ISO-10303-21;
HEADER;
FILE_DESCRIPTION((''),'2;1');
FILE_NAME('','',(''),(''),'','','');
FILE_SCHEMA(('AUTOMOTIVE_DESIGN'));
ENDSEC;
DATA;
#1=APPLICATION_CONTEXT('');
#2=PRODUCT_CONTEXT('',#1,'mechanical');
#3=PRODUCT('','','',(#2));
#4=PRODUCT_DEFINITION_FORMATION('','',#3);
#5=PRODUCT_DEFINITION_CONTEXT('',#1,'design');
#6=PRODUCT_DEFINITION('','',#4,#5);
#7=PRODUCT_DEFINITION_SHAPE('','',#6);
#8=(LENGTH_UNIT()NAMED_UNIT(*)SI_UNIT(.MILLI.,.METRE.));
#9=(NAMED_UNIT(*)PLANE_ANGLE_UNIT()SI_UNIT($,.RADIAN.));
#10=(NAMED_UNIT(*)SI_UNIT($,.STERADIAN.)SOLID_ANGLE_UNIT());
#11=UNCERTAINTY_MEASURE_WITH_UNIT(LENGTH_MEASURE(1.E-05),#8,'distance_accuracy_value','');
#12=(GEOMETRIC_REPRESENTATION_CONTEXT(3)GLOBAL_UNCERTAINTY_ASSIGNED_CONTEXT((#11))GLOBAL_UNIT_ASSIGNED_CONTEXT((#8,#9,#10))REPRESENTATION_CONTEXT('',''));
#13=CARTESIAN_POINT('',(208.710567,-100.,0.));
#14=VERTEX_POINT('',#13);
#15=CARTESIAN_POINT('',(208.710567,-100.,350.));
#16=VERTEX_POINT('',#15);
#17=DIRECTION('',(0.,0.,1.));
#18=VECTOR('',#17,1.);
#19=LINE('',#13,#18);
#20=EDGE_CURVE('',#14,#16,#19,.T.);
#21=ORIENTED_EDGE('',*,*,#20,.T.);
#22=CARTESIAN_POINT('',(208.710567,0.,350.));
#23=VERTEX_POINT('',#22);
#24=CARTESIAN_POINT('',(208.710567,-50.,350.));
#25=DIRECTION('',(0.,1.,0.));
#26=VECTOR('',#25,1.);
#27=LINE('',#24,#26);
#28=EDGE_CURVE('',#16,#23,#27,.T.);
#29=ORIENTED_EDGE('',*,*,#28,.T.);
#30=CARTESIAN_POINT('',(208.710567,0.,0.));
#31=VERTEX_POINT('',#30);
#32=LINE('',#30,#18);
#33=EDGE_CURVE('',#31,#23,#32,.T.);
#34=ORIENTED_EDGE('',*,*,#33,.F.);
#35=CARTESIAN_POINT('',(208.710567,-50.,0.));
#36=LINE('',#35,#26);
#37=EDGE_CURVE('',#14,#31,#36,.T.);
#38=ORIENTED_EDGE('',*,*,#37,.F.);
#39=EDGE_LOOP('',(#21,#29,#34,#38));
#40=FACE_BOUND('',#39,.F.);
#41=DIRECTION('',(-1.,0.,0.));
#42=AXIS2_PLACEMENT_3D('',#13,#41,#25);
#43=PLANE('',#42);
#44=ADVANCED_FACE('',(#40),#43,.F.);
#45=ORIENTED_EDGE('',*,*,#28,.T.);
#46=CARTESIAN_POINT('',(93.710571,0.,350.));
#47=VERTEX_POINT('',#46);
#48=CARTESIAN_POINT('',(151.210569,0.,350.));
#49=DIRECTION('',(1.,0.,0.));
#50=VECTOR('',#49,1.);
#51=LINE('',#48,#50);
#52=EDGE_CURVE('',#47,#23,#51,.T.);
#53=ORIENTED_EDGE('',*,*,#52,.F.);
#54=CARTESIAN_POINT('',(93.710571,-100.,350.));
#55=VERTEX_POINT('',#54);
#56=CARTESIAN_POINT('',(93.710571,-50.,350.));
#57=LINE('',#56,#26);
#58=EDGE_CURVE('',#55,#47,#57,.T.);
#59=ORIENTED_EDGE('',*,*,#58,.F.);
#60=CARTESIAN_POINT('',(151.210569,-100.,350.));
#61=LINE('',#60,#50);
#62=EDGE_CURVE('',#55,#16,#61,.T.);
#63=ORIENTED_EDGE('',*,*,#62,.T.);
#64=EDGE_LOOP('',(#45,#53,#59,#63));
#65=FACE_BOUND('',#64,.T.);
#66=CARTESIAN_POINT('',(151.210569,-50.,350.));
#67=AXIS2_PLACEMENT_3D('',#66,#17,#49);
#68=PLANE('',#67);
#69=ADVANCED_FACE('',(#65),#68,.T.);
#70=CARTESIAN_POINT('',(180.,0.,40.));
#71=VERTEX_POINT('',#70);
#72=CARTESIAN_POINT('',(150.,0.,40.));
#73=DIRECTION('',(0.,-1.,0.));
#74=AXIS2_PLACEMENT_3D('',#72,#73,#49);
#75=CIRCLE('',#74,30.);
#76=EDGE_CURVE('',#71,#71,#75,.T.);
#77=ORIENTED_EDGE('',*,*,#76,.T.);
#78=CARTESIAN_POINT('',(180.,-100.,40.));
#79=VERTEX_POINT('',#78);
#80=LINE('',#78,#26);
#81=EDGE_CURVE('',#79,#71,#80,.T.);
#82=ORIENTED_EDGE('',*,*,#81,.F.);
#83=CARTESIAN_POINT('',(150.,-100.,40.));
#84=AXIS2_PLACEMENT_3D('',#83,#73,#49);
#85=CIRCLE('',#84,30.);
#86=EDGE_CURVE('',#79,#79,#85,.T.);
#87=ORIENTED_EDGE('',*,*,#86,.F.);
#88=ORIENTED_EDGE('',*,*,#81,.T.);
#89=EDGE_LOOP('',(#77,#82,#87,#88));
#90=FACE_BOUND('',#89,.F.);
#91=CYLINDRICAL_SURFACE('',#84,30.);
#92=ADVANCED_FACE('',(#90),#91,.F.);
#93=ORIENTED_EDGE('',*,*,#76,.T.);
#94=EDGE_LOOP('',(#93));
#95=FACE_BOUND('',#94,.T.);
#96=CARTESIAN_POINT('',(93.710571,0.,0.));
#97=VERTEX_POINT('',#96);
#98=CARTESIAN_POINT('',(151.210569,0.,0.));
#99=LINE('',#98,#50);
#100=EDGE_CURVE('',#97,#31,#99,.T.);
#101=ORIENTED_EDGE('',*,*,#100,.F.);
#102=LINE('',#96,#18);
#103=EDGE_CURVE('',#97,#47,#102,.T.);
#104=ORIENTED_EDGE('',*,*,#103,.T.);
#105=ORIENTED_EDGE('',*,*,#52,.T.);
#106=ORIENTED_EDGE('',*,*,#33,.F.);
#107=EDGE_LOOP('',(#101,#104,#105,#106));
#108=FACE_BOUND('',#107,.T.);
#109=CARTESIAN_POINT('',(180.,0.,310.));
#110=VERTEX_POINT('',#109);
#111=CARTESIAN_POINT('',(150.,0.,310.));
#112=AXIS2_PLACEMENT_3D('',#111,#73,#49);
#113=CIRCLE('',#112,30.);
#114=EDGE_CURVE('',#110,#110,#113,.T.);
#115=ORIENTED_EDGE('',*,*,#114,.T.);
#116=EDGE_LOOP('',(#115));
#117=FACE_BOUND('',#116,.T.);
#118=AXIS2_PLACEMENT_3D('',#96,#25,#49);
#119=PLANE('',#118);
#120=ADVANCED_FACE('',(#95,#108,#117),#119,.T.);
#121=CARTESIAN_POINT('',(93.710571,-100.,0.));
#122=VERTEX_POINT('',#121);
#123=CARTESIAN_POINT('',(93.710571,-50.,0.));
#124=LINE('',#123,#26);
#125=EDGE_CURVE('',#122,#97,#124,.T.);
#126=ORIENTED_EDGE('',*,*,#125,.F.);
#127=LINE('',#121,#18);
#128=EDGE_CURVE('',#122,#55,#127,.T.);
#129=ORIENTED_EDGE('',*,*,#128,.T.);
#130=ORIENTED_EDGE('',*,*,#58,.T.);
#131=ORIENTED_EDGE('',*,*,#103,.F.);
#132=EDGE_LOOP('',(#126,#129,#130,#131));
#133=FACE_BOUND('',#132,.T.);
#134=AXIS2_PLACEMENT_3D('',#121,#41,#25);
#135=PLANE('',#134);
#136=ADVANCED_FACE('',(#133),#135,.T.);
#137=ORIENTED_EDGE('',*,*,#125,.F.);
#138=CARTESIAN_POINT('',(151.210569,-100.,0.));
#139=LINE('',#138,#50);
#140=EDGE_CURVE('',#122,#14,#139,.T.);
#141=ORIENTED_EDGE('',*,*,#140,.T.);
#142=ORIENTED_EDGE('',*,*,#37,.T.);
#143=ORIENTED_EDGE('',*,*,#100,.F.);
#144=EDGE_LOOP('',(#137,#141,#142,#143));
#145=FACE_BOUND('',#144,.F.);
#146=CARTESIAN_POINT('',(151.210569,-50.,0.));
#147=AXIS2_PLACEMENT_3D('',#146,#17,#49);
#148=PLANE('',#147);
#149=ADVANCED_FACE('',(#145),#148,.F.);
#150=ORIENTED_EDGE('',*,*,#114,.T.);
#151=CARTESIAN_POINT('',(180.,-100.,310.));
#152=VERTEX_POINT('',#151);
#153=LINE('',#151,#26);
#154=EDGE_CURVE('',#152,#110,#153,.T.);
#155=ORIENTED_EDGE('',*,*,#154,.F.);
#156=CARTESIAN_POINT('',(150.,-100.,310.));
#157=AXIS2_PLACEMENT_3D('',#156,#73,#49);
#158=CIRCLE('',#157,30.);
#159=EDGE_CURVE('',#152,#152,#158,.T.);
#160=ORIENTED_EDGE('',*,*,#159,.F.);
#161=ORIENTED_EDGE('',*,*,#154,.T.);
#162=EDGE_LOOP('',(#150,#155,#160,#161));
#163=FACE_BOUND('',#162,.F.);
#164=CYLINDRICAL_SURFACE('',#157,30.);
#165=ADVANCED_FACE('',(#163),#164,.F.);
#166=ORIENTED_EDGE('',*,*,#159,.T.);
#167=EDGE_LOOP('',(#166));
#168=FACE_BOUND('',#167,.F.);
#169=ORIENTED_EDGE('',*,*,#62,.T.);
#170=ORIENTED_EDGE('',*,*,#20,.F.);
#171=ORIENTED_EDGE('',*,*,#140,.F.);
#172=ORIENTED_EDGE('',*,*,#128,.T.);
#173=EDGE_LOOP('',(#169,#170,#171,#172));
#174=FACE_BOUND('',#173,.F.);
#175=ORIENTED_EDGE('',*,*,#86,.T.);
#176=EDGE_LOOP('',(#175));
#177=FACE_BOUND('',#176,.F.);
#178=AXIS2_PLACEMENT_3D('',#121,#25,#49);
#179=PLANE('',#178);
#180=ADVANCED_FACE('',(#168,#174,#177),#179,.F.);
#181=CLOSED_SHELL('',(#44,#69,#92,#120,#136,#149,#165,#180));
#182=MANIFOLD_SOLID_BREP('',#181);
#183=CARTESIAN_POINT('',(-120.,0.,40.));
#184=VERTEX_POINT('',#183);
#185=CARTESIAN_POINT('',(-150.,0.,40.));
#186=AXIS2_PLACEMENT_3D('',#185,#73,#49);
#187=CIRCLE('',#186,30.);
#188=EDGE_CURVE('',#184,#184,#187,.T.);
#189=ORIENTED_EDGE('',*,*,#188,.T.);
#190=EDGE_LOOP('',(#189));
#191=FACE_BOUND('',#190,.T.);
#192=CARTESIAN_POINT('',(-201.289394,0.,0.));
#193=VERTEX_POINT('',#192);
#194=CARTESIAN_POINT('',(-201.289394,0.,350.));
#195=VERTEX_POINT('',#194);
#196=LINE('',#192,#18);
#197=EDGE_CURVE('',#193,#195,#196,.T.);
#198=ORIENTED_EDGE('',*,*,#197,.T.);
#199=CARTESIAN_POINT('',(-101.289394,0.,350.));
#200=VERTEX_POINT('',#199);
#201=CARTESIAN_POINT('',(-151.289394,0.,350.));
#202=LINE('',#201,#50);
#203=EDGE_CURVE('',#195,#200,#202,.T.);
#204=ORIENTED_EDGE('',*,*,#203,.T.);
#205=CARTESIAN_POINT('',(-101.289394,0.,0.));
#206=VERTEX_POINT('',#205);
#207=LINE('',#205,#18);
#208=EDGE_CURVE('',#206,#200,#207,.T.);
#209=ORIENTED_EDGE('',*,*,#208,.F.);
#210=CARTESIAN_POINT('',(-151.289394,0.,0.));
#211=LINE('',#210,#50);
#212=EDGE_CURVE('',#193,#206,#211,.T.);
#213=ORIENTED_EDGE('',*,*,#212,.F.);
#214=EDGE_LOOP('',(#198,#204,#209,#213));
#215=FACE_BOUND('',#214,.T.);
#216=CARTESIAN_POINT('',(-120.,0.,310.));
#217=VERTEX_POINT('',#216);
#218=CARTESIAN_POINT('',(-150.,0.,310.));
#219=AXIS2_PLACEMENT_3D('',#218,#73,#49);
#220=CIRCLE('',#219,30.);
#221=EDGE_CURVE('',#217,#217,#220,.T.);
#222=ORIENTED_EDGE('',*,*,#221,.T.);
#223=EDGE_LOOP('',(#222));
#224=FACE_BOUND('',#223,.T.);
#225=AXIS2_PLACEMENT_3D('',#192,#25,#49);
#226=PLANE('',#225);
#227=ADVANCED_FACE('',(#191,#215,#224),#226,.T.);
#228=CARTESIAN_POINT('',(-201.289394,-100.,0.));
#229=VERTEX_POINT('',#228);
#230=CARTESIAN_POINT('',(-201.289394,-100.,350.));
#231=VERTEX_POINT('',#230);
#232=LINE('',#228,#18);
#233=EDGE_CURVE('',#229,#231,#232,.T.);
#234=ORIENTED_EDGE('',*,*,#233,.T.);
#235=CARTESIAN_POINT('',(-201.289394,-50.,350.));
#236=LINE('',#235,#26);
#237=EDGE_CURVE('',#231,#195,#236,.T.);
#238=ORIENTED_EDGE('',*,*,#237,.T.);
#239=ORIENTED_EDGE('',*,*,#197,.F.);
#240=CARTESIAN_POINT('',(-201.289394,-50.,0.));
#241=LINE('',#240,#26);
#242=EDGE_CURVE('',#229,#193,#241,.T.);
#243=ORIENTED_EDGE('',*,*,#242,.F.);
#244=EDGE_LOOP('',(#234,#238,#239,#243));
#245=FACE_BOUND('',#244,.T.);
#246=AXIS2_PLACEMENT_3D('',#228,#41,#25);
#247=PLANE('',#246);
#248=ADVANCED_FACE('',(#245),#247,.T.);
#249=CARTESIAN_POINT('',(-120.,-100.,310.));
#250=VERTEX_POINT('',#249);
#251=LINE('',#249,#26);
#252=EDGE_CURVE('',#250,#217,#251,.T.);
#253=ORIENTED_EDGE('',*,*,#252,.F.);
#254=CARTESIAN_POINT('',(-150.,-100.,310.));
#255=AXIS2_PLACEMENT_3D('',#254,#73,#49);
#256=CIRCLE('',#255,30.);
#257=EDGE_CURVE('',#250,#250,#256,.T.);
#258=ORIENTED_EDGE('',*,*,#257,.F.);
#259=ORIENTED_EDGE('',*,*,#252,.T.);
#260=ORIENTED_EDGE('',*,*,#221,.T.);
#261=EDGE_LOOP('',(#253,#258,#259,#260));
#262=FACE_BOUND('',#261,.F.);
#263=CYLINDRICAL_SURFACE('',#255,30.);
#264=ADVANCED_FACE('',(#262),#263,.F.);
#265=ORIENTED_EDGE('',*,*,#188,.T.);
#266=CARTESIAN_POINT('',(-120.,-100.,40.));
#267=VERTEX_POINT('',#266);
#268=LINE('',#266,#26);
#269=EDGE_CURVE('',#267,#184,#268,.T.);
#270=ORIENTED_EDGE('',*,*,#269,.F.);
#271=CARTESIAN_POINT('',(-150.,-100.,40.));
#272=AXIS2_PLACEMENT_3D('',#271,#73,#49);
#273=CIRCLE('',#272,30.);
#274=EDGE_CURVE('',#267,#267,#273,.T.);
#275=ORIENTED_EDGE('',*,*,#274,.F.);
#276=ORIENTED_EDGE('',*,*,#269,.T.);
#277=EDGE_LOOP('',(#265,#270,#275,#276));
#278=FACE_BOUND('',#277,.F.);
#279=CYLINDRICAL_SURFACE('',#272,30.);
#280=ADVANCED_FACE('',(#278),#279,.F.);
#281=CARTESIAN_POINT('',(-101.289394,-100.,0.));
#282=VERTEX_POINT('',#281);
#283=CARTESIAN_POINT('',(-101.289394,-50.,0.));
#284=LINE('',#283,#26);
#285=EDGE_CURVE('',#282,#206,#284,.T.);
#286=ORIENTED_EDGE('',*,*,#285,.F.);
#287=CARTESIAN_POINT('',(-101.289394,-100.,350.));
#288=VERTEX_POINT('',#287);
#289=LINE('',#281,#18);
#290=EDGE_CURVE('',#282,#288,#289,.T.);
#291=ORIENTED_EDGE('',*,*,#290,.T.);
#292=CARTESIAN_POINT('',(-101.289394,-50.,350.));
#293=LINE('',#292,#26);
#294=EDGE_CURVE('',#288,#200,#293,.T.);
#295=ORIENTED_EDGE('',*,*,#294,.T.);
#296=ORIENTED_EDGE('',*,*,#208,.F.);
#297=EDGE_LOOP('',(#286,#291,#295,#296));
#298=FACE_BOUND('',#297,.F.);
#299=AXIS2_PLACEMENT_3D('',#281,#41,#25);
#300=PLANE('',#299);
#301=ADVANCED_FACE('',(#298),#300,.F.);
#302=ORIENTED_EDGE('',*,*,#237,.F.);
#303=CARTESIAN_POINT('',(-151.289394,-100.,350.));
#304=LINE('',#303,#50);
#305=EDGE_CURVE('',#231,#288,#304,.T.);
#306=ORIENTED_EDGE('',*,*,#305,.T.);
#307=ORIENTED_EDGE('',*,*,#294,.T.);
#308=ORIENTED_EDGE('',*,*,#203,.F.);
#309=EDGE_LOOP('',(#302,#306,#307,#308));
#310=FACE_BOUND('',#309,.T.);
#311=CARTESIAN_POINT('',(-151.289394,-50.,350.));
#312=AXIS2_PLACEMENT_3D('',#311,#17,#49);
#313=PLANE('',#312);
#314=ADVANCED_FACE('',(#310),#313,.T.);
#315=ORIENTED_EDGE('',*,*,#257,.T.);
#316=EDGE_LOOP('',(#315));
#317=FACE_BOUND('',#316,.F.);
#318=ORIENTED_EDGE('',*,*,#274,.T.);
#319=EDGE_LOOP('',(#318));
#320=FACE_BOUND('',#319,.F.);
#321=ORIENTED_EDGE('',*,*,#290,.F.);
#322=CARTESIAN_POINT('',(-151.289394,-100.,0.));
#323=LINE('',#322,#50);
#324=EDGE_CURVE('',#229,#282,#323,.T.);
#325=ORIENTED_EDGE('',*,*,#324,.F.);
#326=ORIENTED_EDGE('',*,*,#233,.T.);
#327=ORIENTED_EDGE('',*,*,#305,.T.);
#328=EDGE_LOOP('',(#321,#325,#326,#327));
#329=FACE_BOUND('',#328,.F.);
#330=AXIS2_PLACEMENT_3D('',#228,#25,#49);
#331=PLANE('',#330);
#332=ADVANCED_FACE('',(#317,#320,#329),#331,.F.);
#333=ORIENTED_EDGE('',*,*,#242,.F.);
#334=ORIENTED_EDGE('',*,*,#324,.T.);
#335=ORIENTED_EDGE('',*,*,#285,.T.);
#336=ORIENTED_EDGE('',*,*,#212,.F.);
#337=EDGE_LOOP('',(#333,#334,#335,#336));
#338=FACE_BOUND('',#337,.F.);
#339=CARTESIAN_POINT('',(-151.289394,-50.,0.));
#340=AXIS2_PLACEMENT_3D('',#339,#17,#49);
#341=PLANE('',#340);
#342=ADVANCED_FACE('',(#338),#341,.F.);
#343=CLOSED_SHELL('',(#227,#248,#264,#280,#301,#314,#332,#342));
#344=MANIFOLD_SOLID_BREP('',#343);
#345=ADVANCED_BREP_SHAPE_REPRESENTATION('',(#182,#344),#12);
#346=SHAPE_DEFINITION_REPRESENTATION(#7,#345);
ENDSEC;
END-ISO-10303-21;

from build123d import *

# Parameters (mm, degrees)
F0_W     = 100
F0_H     = 100
F0_W_2   = 114.999997
F1_DEPTH = 350
F2_R     = 30
F3_DEPTH = 200
F4_R     = 30
F5_DEPTH = 200
F6_R     = 30
F7_DEPTH = 200
F8_R     = 30
F9_DEPTH = 200


with BuildPart() as f1:
    # F0 (on Top) → F1 (new body)
    with BuildSketch(Plane.XY):
        with Locations((-151.289394, -50)):
            Rectangle(F0_W, F0_H)
        with Locations((151.210569, -50)):
            Rectangle(F0_W_2, F0_H)
    extrude(amount=F1_DEPTH)

    # F2 (on face) → F3 (cut)
    with BuildSketch(Plane.XZ.offset(100)):
        with Locations((-150, 310)):
            Circle(F2_R)
    extrude(amount=-F3_DEPTH, mode=Mode.SUBTRACT)

    # F4 (on face) → F5 (cut)
    with BuildSketch(Plane.XZ.offset(100)):
        with Locations((150, 310)):
            Circle(F4_R)
    extrude(amount=-F5_DEPTH, mode=Mode.SUBTRACT)

    # F6 (on face) → F7 (cut)
    with BuildSketch(Plane.XZ.offset(100)):
        with Locations((-150, 40)):
            Circle(F6_R)
    extrude(amount=-F7_DEPTH, mode=Mode.SUBTRACT)

    # F8 (on face) → F9 (cut)
    with BuildSketch(Plane.XZ.offset(100)):
        with Locations((150, 40)):
            Circle(F8_R)
    extrude(amount=-F9_DEPTH, mode=Mode.SUBTRACT)


solid = f1.part
